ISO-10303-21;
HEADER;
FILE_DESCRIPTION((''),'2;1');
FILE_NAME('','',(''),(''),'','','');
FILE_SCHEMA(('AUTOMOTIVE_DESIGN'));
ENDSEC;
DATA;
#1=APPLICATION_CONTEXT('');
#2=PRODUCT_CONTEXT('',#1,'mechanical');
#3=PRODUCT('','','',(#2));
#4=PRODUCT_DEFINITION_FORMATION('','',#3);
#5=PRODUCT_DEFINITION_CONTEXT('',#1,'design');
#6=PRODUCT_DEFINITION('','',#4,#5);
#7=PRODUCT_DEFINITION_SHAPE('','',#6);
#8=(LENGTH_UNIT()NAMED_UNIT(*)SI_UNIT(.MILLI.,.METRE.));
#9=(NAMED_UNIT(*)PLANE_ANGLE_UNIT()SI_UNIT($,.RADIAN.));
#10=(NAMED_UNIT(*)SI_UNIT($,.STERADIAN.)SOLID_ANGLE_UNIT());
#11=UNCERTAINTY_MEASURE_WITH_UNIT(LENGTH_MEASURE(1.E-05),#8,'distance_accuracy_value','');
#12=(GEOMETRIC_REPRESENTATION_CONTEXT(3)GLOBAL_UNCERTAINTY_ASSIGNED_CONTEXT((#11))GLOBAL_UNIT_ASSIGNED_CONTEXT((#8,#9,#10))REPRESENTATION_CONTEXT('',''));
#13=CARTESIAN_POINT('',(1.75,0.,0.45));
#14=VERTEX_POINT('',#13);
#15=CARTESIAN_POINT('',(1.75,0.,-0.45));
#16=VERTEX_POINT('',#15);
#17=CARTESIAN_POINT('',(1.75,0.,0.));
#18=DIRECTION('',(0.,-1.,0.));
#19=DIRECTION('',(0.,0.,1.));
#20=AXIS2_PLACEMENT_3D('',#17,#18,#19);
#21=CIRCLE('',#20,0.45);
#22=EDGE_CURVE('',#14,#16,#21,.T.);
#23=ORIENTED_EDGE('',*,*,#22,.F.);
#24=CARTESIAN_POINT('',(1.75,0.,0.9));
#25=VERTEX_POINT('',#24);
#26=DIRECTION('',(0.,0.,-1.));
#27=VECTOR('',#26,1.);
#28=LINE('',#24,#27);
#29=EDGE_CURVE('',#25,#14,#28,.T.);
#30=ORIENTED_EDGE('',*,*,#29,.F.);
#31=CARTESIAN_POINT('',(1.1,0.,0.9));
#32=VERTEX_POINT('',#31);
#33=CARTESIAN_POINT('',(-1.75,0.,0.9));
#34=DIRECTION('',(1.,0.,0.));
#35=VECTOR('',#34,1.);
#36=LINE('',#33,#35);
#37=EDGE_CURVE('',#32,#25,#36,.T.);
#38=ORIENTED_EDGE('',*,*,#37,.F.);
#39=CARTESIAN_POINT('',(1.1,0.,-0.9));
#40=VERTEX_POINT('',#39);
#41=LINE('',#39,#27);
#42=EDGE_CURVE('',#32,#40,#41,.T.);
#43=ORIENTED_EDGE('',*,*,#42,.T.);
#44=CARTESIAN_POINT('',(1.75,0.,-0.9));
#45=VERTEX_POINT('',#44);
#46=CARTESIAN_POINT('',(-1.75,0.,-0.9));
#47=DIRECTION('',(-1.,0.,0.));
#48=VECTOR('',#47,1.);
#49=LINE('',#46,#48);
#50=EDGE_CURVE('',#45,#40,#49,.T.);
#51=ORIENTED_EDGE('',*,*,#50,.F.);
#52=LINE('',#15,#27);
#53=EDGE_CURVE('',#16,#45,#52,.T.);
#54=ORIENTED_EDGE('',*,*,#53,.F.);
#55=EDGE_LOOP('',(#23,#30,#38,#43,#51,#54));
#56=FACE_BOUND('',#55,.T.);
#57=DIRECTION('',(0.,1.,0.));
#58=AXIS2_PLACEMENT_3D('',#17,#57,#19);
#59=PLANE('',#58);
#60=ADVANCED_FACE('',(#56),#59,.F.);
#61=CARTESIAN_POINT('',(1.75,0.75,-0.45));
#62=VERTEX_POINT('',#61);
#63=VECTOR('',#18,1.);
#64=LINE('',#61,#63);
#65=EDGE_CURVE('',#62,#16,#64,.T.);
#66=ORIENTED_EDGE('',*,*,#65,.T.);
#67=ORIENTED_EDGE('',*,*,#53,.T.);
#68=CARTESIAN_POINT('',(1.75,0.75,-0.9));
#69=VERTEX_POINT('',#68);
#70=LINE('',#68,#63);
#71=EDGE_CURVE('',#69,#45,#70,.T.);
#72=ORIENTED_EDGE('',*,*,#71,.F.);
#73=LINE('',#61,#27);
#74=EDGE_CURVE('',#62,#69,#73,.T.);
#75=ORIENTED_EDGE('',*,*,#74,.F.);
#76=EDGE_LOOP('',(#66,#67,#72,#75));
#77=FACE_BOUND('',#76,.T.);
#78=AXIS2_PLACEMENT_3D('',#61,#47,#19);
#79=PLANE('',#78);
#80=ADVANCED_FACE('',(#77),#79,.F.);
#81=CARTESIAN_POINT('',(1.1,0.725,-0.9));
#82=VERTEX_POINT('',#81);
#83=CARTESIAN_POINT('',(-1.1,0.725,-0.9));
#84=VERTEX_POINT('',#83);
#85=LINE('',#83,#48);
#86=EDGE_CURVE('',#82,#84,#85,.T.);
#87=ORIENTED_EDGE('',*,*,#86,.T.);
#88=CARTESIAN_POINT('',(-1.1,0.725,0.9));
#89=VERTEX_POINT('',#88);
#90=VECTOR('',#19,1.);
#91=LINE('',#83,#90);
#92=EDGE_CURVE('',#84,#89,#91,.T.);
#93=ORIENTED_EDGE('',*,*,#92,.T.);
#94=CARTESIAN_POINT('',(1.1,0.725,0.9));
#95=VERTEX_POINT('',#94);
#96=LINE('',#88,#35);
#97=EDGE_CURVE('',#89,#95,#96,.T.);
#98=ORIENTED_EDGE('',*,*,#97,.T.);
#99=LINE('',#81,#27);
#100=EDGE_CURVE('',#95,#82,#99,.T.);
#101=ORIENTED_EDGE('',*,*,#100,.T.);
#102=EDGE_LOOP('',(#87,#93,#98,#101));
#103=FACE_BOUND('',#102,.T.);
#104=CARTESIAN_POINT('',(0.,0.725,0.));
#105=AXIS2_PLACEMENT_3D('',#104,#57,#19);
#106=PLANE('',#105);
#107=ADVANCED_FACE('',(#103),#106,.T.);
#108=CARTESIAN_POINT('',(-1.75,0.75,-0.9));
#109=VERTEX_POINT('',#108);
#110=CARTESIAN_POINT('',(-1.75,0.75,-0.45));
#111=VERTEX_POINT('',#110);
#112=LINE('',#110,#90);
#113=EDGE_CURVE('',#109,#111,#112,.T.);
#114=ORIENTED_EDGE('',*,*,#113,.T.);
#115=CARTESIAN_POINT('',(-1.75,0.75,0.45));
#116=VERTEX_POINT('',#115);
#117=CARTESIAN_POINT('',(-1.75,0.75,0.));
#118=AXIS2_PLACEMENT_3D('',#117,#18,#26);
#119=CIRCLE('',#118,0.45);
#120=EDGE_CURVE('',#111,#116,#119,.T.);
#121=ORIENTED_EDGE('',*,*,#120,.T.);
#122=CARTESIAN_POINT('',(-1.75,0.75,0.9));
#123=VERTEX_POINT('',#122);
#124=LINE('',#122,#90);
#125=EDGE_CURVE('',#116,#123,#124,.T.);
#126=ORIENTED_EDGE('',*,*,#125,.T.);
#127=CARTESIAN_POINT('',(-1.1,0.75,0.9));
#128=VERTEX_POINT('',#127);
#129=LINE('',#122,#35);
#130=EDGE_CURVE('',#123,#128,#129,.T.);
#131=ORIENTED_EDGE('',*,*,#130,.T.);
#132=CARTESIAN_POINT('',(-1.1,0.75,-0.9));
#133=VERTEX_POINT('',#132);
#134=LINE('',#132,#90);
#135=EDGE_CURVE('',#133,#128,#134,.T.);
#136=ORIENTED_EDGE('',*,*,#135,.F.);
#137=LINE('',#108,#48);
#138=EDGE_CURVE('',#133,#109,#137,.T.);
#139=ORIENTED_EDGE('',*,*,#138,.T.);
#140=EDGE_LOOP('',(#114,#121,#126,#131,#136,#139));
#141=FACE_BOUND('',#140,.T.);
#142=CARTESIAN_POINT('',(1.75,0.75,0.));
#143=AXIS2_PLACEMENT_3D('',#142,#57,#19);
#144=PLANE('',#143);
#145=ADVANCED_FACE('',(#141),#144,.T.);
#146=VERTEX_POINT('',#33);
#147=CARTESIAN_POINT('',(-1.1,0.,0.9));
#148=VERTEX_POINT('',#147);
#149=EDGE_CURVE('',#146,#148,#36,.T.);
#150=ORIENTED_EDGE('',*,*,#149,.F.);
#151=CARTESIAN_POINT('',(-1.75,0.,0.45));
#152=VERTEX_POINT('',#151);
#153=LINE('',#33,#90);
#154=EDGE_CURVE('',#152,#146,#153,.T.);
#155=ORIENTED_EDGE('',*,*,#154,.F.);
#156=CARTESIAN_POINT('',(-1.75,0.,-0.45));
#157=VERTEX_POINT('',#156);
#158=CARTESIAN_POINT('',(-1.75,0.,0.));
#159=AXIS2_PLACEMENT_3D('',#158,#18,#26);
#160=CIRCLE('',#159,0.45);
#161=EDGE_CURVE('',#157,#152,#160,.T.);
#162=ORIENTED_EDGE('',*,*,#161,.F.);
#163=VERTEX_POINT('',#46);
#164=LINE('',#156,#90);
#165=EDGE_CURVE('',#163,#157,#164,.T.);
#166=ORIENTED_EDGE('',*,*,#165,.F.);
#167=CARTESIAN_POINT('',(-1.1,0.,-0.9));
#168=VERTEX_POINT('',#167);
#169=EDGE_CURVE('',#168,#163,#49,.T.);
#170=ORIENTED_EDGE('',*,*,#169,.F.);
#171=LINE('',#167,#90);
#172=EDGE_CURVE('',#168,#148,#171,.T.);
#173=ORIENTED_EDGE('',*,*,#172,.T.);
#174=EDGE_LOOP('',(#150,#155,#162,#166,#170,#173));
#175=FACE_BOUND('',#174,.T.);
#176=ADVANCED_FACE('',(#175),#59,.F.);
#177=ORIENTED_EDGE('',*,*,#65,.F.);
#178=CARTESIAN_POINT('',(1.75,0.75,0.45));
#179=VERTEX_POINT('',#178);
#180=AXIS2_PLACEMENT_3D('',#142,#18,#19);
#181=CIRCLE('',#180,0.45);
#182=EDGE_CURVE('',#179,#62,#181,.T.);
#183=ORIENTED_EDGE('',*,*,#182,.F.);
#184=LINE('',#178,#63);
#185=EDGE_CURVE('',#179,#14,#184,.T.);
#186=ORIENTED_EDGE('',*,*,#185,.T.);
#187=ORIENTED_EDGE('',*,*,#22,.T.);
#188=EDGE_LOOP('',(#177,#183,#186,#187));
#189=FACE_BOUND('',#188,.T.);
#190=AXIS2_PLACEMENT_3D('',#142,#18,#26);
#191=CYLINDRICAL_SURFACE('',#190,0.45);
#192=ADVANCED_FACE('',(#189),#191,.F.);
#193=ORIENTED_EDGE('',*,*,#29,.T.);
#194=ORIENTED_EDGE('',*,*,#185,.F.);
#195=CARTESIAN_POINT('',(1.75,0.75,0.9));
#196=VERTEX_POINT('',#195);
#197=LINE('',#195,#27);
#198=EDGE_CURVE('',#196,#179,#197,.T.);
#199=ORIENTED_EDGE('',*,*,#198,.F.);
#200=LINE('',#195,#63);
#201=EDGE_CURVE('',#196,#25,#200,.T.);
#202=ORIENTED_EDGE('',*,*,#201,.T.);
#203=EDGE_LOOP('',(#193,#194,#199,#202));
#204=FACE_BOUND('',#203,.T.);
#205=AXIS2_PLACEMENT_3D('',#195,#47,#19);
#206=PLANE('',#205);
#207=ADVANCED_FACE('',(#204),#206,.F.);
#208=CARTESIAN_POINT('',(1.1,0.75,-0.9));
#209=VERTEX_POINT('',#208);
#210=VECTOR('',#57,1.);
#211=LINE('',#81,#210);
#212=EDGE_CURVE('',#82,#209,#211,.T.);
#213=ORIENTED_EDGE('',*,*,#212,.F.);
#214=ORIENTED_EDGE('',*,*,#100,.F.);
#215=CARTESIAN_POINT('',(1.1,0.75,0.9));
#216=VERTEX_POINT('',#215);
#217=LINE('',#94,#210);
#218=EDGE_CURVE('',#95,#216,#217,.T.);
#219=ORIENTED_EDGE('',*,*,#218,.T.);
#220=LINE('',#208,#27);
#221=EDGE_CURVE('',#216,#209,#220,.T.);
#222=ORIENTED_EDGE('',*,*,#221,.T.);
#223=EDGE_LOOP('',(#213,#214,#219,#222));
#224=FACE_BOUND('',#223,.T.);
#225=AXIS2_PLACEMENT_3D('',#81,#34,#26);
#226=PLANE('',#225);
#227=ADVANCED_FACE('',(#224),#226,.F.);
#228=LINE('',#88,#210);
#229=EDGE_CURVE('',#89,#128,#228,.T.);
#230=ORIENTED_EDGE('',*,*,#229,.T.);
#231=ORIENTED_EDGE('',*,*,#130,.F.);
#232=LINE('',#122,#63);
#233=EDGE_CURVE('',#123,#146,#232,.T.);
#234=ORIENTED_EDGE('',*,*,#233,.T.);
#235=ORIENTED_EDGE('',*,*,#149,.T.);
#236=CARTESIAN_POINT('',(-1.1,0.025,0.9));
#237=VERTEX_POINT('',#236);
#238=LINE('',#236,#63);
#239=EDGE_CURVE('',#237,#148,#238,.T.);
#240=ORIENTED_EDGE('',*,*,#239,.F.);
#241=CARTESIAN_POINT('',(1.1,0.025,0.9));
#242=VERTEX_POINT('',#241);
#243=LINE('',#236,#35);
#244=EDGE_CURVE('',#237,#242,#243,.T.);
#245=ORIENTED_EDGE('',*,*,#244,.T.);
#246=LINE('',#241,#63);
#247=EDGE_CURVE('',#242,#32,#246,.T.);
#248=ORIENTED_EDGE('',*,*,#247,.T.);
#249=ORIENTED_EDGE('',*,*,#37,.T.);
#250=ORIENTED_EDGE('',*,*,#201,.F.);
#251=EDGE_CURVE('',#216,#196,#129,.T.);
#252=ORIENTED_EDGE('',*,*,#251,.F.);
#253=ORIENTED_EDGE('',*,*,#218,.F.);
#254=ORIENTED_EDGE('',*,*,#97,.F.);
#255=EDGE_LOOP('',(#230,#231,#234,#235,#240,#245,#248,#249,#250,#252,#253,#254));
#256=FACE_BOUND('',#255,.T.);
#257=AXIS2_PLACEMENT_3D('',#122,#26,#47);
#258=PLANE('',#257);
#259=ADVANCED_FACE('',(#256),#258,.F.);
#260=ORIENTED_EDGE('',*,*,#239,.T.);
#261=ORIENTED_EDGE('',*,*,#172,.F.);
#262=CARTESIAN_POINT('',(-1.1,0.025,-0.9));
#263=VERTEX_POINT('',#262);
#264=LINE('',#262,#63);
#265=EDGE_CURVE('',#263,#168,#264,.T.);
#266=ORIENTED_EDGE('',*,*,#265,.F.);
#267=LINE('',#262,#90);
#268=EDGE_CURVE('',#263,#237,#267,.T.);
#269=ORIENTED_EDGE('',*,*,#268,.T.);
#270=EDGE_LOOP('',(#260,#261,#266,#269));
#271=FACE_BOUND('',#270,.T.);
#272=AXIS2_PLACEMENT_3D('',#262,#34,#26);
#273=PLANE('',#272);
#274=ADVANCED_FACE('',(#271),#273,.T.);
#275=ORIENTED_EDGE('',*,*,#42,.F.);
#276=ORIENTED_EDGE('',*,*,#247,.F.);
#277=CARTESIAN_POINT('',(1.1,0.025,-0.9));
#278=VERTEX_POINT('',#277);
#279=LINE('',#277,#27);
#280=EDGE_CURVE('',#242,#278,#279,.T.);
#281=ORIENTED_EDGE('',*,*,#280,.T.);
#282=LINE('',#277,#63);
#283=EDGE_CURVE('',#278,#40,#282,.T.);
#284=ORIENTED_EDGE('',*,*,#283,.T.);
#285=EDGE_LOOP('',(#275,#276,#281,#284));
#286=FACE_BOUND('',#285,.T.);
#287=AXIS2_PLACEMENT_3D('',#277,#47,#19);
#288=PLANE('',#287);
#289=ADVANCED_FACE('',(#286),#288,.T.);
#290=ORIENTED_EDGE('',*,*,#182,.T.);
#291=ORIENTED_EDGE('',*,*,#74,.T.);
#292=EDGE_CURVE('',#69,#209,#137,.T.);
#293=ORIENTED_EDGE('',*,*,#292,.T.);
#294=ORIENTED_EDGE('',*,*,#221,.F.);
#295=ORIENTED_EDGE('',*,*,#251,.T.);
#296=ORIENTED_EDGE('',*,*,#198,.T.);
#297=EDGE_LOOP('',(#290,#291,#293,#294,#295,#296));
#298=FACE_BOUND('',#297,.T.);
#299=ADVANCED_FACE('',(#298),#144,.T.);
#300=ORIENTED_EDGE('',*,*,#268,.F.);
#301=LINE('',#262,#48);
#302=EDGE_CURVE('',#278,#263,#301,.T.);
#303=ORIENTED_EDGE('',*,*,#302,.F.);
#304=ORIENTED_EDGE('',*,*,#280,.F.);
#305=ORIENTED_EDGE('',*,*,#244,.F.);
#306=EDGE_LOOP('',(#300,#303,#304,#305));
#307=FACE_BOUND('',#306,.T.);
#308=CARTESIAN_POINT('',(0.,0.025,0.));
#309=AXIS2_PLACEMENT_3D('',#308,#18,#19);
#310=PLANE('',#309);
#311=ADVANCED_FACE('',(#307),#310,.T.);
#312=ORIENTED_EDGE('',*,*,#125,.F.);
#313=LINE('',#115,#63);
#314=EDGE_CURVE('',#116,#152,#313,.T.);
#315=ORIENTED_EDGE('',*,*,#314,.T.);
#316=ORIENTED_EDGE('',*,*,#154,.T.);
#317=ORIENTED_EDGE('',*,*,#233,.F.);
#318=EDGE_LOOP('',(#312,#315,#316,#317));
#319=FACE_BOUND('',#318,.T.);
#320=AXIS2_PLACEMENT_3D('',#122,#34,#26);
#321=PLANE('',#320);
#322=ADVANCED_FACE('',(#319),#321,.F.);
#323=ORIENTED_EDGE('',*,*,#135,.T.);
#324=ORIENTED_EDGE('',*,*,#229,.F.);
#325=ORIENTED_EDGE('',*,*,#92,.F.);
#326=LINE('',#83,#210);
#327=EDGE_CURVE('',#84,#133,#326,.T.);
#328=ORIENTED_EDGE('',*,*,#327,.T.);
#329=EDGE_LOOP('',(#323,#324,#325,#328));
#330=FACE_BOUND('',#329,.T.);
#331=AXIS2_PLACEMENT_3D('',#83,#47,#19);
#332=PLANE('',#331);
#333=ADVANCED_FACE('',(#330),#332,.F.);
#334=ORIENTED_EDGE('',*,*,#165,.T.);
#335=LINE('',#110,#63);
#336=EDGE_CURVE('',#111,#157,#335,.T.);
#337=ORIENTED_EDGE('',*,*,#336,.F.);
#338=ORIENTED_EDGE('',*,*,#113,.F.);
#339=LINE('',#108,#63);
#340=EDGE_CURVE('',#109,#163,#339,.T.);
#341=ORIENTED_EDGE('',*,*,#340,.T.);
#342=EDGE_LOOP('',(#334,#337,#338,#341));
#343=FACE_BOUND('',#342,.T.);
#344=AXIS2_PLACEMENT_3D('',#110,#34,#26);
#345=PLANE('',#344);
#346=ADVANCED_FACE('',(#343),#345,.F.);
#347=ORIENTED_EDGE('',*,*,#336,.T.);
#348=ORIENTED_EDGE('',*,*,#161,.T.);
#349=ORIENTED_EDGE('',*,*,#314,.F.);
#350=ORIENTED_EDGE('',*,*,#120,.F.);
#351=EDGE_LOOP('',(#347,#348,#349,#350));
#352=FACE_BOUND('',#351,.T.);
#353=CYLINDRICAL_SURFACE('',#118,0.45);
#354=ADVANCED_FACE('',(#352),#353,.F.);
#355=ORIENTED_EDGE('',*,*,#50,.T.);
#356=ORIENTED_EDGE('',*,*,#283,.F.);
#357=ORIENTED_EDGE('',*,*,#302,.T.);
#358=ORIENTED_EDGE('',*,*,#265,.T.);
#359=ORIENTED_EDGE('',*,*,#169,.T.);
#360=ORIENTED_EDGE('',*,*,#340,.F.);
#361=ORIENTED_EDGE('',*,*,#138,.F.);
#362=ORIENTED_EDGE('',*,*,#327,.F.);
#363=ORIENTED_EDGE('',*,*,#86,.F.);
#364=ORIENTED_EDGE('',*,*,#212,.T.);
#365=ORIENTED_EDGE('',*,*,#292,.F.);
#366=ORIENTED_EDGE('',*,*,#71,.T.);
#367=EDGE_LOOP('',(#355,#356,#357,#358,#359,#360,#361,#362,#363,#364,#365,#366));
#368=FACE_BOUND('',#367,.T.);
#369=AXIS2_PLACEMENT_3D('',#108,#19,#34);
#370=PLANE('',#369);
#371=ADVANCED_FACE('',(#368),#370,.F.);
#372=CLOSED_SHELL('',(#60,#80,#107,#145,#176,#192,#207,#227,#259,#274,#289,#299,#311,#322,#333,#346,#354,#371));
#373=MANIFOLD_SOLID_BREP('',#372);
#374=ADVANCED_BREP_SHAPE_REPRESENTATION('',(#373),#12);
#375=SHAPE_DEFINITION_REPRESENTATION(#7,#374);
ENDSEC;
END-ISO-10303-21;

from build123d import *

# Parameters (mm, degrees)
BOSS_EXTRUDE1_DEPTH = 0.75
SKETCH2_W           = 2.2
SKETCH2_H           = 1.8
CUT_EXTRUDE1_DEPTH  = 0.025


with BuildPart() as part:
    # Sketch1 → Boss-Extrude1 (new body)
    with BuildSketch(Plane(origin=(0, 0, 0), x_dir=(1, 0, 0), z_dir=(0, 1, 0))):
        with BuildLine():
            Line((1.75, 0.45), (1.75, 0.9))
            Line((1.75, 0.9), (-1.75, 0.9))
            Line((-1.75, 0.9), (-1.75, 0.45))
            ThreePointArc((-1.75, 0.45), (-1.3, 0), (-1.75, -0.45))
            Line((-1.75, -0.45), (-1.75, -0.9))
            Line((-1.75, -0.9), (1.75, -0.9))
            Line((1.75, -0.9), (1.75, -0.45))
            ThreePointArc((1.75, -0.45), (1.3, 0), (1.75, 0.45))
        make_face()
    extrude(amount=BOSS_EXTRUDE1_DEPTH)

    # Sketch2 → Cut-Extrude1 (cut)
    with BuildSketch(Plane(origin=(0, 0.75, 0), x_dir=(1, 0, 0), z_dir=(0, 1, 0))):
        Rectangle(SKETCH2_W, SKETCH2_H)
    cut_extrude1 = extrude(amount=-CUT_EXTRUDE1_DEPTH, mode=Mode.SUBTRACT)

    # Mirror1: Cut-Extrude1 across plane
    add(cut_extrude1.mirror(Plane.ZX.offset(0.375)), mode=Mode.SUBTRACT)


solid = part.part
